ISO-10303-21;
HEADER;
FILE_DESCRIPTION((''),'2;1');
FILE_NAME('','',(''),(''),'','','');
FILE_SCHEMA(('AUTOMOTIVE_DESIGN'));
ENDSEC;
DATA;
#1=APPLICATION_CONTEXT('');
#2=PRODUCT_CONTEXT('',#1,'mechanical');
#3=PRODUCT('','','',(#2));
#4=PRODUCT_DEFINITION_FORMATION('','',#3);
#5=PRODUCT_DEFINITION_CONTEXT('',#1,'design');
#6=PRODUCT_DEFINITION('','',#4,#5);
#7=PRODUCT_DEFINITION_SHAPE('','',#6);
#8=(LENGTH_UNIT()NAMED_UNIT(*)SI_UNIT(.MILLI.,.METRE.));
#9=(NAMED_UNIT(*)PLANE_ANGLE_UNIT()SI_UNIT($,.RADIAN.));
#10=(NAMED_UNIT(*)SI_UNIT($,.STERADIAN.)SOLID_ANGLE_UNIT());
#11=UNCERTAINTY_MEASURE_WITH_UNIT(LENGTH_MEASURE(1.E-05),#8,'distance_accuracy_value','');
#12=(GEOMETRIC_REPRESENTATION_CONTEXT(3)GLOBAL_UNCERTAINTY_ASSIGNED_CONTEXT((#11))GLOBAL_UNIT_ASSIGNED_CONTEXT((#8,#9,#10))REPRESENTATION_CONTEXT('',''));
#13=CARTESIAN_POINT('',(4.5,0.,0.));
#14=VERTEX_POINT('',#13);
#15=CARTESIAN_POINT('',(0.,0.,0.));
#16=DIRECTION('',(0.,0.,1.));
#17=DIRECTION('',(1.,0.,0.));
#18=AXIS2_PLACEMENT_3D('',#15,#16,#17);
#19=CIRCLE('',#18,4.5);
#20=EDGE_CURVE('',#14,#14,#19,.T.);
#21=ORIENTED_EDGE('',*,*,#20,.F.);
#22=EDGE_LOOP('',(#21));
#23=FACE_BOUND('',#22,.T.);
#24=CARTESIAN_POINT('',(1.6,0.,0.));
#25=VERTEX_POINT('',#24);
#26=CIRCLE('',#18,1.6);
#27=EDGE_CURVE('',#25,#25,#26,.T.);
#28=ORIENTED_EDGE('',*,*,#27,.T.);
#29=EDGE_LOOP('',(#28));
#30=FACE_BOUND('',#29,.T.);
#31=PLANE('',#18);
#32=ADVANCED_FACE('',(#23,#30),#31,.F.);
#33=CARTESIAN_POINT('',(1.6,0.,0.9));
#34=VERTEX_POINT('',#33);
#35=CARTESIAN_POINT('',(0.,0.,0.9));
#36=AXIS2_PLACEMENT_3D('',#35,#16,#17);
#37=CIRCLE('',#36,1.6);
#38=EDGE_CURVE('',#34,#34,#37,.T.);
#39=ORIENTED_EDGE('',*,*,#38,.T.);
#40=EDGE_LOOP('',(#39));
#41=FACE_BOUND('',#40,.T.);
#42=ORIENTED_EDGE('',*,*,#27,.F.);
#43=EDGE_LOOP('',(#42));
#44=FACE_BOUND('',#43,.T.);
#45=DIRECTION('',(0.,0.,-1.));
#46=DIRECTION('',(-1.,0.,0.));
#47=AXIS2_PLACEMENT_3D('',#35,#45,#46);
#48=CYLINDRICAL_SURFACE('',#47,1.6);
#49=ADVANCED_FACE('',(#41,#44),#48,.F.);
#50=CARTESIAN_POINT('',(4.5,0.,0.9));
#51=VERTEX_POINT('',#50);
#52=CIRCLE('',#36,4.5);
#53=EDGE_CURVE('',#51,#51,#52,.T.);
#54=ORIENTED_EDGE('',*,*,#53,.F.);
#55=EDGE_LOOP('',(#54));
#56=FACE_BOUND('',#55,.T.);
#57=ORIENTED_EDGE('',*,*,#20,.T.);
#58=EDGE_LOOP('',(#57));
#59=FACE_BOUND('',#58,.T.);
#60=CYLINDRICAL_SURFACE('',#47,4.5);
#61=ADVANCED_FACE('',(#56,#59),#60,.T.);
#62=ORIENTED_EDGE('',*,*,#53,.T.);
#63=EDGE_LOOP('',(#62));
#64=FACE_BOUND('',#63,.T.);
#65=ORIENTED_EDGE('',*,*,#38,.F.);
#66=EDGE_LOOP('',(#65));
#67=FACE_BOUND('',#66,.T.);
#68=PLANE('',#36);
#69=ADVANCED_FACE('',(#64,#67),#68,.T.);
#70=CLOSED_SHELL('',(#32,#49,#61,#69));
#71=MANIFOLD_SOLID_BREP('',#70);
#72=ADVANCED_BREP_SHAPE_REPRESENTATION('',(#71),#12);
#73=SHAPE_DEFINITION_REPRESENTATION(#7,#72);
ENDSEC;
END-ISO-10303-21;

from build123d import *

# Parameters (mm, degrees)
SKETCH1_R           = 4.5
SKETCH1_R_2         = 1.6
BOSS_EXTRUDE1_DEPTH = 0.9


with BuildPart() as part:
    # Sketch1 → Boss-Extrude1 (new body)
    with BuildSketch(Plane.XY):
        Circle(SKETCH1_R)
        Circle(SKETCH1_R_2, mode=Mode.SUBTRACT)
    extrude(amount=BOSS_EXTRUDE1_DEPTH)


solid = part.part
